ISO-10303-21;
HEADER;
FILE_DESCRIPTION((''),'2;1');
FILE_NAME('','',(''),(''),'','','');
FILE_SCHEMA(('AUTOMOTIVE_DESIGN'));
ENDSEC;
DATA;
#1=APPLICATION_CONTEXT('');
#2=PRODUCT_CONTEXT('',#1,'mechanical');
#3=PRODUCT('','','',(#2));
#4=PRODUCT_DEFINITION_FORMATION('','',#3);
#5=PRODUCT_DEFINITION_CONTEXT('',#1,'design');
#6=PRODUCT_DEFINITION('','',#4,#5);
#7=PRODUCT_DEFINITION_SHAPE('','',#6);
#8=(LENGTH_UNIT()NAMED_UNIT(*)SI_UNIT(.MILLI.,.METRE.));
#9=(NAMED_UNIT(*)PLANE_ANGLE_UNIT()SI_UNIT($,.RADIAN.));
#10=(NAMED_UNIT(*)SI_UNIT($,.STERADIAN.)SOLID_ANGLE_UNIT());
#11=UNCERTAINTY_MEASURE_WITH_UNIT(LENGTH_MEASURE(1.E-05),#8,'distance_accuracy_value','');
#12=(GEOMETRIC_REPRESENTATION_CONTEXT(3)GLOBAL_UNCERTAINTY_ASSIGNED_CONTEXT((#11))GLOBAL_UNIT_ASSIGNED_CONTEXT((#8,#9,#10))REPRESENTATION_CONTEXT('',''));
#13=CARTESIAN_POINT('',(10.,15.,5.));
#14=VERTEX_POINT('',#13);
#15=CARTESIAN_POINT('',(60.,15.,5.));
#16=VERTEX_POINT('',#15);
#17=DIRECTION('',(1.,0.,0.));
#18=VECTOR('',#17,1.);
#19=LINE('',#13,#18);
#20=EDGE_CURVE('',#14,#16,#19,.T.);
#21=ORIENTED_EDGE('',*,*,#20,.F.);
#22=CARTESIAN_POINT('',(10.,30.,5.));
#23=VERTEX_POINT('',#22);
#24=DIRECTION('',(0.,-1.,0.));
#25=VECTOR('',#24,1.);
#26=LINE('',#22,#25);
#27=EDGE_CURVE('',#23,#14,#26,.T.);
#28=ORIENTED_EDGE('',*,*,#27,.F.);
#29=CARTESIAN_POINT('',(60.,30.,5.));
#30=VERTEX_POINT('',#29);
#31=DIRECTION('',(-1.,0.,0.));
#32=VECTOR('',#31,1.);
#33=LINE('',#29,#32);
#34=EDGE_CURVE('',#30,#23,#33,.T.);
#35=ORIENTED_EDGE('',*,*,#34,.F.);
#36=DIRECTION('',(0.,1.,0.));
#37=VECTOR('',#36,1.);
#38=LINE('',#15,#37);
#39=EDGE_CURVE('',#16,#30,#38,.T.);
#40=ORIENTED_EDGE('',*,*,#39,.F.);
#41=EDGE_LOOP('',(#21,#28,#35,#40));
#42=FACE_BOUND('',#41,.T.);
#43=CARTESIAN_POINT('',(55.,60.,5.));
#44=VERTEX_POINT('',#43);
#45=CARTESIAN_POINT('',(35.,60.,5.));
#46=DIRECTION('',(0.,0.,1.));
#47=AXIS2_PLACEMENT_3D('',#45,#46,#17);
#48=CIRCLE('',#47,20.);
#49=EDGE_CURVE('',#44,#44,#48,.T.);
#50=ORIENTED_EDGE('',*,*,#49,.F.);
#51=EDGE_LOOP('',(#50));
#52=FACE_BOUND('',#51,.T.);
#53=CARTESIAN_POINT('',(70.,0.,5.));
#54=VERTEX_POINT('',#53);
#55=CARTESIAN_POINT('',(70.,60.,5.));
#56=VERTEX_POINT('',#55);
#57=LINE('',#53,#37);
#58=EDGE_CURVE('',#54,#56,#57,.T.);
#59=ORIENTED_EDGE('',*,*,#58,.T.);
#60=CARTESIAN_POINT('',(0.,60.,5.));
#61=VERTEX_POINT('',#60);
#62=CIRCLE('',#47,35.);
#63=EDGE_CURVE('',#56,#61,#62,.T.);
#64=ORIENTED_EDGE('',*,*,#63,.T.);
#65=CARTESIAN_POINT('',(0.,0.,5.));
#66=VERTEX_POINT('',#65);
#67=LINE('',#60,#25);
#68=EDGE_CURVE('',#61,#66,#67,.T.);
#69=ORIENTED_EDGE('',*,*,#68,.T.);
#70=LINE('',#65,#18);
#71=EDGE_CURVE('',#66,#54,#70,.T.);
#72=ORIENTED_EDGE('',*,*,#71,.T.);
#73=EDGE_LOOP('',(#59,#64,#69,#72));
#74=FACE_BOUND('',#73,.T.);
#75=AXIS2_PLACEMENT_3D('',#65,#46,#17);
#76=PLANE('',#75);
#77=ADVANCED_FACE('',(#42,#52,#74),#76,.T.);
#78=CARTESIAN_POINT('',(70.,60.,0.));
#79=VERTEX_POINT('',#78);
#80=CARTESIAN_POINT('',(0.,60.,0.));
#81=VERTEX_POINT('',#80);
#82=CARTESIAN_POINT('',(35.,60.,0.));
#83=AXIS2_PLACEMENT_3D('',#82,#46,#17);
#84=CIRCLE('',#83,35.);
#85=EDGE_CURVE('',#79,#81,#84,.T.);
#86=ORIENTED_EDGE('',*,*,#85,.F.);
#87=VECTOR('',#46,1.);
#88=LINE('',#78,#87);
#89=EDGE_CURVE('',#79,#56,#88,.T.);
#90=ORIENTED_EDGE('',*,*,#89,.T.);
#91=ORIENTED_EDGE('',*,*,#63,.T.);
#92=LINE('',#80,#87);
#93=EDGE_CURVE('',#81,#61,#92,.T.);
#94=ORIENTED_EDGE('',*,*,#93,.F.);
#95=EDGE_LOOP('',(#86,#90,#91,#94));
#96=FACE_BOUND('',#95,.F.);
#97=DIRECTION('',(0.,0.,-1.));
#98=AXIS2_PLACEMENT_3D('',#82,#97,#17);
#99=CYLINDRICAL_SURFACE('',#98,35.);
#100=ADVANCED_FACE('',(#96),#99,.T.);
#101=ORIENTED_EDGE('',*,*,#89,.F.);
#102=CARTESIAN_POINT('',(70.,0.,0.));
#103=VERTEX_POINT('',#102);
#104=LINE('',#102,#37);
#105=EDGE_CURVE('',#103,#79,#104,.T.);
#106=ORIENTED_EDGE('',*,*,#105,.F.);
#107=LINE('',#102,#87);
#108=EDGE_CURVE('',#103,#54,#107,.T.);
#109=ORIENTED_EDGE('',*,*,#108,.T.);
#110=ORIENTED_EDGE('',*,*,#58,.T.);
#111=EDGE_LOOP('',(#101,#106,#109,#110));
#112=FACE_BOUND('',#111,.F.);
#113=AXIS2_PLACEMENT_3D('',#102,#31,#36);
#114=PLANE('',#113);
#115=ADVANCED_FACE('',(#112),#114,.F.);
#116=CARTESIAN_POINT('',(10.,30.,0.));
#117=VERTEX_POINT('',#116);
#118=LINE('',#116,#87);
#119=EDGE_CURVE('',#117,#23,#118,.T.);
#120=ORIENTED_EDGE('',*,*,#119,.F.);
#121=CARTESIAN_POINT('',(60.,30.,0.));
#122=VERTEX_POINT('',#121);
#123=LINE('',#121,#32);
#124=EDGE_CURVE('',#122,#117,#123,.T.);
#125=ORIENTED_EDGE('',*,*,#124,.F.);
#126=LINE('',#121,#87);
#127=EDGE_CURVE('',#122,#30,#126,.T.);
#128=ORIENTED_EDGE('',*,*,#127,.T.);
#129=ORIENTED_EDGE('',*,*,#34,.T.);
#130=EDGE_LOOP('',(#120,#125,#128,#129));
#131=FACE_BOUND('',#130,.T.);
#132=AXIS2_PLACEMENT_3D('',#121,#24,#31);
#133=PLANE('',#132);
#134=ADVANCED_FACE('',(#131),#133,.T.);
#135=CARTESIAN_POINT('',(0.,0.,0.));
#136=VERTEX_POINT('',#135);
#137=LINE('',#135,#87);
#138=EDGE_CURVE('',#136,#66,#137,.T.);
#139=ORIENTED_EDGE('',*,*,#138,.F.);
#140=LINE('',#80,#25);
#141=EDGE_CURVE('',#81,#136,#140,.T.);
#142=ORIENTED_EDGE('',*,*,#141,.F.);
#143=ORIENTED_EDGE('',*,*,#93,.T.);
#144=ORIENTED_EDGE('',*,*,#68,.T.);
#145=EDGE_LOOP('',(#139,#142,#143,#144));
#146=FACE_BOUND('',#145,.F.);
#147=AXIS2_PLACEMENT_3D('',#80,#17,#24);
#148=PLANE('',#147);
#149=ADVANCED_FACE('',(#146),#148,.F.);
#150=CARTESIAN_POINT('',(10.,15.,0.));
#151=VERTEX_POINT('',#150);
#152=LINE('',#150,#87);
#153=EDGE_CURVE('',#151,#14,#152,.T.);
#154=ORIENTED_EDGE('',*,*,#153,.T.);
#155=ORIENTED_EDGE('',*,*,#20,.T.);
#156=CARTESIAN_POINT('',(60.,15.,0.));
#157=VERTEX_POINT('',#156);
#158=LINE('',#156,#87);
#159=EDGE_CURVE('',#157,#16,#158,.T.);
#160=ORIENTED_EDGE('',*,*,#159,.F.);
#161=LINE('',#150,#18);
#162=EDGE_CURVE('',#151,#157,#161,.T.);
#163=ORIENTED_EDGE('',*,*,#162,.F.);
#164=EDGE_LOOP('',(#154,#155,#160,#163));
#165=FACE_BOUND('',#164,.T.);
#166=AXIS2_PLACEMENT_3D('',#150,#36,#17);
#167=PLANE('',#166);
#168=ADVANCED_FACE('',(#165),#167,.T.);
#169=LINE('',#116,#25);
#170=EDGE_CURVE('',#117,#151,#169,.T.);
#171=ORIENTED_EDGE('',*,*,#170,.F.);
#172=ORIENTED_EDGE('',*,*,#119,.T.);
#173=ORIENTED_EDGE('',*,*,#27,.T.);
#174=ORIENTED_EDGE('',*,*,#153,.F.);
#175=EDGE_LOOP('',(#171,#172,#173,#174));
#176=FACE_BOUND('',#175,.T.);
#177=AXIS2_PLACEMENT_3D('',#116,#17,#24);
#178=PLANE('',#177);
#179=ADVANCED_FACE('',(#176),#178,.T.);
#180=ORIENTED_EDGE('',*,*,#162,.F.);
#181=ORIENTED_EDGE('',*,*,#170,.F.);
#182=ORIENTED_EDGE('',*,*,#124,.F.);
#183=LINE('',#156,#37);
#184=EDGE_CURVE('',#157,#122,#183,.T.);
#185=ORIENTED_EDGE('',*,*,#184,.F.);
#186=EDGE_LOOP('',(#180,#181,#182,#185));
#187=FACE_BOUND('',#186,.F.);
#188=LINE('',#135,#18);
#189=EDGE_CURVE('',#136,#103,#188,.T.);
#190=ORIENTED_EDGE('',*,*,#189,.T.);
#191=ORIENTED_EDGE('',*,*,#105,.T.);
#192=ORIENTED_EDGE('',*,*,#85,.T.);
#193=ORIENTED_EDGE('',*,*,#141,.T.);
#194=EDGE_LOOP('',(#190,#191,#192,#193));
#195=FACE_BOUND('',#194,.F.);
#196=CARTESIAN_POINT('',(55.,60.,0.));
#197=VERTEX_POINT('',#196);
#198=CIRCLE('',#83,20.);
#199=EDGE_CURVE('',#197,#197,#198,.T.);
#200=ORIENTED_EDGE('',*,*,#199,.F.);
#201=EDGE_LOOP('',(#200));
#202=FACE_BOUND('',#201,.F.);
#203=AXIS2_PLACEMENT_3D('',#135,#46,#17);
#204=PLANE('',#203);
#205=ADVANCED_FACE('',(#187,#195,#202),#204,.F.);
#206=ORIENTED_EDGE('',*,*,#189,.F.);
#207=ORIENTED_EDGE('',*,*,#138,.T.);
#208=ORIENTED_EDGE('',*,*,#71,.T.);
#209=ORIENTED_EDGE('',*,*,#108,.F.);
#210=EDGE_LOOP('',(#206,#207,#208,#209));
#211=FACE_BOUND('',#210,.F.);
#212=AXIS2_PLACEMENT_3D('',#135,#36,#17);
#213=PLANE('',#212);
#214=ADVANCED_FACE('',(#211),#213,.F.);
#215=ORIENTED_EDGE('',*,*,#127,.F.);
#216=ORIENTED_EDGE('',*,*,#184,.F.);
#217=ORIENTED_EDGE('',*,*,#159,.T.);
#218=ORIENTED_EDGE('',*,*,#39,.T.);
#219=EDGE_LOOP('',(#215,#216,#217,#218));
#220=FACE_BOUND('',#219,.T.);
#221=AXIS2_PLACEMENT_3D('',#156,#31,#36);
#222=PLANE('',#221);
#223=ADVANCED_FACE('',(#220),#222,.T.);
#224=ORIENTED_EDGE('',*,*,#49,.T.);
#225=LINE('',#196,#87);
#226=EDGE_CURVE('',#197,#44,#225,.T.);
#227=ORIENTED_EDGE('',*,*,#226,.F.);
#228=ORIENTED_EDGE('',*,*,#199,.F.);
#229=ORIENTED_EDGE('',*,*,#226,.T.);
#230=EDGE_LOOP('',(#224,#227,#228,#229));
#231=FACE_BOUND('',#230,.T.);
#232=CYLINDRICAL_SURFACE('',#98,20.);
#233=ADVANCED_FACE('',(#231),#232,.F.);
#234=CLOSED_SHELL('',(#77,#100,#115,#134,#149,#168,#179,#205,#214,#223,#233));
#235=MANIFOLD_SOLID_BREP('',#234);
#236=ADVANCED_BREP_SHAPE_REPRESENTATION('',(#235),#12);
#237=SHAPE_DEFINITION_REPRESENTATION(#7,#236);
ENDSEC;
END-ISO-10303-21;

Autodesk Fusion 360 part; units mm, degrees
sketch "Sketch1" plane through (0, 0, 0) normal (0, 0, 1) x (1, 0, 0)
  line L0 (0, 0) -> (70, 0)
  line L1 (70, 0) -> (70, 60)
  line L2 (0, 60) -> (0, 0)
  line L3 (10, 15) -> (60, 15)
  line L4 (60, 15) -> (60, 30)
  line L5 (60, 30) -> (10, 30)
  line L6 (10, 30) -> (10, 15)
  circle A0 centre (35, 60) radius 20
  arc A1 (70, 60) -> (0, 60) centre (35, 60) ccw
  dimension "d1" = 70
  dimension "d2" = 60
  dimension "d5" = 15
  dimension "d6" = 50
  dimension "d10" = 10
  dimension "d11" = 15
  dimension "d15" = 40
  dimension "d16" = 35
extrude "Extrude1" add sketch "Sketch1" along normal blind 5
